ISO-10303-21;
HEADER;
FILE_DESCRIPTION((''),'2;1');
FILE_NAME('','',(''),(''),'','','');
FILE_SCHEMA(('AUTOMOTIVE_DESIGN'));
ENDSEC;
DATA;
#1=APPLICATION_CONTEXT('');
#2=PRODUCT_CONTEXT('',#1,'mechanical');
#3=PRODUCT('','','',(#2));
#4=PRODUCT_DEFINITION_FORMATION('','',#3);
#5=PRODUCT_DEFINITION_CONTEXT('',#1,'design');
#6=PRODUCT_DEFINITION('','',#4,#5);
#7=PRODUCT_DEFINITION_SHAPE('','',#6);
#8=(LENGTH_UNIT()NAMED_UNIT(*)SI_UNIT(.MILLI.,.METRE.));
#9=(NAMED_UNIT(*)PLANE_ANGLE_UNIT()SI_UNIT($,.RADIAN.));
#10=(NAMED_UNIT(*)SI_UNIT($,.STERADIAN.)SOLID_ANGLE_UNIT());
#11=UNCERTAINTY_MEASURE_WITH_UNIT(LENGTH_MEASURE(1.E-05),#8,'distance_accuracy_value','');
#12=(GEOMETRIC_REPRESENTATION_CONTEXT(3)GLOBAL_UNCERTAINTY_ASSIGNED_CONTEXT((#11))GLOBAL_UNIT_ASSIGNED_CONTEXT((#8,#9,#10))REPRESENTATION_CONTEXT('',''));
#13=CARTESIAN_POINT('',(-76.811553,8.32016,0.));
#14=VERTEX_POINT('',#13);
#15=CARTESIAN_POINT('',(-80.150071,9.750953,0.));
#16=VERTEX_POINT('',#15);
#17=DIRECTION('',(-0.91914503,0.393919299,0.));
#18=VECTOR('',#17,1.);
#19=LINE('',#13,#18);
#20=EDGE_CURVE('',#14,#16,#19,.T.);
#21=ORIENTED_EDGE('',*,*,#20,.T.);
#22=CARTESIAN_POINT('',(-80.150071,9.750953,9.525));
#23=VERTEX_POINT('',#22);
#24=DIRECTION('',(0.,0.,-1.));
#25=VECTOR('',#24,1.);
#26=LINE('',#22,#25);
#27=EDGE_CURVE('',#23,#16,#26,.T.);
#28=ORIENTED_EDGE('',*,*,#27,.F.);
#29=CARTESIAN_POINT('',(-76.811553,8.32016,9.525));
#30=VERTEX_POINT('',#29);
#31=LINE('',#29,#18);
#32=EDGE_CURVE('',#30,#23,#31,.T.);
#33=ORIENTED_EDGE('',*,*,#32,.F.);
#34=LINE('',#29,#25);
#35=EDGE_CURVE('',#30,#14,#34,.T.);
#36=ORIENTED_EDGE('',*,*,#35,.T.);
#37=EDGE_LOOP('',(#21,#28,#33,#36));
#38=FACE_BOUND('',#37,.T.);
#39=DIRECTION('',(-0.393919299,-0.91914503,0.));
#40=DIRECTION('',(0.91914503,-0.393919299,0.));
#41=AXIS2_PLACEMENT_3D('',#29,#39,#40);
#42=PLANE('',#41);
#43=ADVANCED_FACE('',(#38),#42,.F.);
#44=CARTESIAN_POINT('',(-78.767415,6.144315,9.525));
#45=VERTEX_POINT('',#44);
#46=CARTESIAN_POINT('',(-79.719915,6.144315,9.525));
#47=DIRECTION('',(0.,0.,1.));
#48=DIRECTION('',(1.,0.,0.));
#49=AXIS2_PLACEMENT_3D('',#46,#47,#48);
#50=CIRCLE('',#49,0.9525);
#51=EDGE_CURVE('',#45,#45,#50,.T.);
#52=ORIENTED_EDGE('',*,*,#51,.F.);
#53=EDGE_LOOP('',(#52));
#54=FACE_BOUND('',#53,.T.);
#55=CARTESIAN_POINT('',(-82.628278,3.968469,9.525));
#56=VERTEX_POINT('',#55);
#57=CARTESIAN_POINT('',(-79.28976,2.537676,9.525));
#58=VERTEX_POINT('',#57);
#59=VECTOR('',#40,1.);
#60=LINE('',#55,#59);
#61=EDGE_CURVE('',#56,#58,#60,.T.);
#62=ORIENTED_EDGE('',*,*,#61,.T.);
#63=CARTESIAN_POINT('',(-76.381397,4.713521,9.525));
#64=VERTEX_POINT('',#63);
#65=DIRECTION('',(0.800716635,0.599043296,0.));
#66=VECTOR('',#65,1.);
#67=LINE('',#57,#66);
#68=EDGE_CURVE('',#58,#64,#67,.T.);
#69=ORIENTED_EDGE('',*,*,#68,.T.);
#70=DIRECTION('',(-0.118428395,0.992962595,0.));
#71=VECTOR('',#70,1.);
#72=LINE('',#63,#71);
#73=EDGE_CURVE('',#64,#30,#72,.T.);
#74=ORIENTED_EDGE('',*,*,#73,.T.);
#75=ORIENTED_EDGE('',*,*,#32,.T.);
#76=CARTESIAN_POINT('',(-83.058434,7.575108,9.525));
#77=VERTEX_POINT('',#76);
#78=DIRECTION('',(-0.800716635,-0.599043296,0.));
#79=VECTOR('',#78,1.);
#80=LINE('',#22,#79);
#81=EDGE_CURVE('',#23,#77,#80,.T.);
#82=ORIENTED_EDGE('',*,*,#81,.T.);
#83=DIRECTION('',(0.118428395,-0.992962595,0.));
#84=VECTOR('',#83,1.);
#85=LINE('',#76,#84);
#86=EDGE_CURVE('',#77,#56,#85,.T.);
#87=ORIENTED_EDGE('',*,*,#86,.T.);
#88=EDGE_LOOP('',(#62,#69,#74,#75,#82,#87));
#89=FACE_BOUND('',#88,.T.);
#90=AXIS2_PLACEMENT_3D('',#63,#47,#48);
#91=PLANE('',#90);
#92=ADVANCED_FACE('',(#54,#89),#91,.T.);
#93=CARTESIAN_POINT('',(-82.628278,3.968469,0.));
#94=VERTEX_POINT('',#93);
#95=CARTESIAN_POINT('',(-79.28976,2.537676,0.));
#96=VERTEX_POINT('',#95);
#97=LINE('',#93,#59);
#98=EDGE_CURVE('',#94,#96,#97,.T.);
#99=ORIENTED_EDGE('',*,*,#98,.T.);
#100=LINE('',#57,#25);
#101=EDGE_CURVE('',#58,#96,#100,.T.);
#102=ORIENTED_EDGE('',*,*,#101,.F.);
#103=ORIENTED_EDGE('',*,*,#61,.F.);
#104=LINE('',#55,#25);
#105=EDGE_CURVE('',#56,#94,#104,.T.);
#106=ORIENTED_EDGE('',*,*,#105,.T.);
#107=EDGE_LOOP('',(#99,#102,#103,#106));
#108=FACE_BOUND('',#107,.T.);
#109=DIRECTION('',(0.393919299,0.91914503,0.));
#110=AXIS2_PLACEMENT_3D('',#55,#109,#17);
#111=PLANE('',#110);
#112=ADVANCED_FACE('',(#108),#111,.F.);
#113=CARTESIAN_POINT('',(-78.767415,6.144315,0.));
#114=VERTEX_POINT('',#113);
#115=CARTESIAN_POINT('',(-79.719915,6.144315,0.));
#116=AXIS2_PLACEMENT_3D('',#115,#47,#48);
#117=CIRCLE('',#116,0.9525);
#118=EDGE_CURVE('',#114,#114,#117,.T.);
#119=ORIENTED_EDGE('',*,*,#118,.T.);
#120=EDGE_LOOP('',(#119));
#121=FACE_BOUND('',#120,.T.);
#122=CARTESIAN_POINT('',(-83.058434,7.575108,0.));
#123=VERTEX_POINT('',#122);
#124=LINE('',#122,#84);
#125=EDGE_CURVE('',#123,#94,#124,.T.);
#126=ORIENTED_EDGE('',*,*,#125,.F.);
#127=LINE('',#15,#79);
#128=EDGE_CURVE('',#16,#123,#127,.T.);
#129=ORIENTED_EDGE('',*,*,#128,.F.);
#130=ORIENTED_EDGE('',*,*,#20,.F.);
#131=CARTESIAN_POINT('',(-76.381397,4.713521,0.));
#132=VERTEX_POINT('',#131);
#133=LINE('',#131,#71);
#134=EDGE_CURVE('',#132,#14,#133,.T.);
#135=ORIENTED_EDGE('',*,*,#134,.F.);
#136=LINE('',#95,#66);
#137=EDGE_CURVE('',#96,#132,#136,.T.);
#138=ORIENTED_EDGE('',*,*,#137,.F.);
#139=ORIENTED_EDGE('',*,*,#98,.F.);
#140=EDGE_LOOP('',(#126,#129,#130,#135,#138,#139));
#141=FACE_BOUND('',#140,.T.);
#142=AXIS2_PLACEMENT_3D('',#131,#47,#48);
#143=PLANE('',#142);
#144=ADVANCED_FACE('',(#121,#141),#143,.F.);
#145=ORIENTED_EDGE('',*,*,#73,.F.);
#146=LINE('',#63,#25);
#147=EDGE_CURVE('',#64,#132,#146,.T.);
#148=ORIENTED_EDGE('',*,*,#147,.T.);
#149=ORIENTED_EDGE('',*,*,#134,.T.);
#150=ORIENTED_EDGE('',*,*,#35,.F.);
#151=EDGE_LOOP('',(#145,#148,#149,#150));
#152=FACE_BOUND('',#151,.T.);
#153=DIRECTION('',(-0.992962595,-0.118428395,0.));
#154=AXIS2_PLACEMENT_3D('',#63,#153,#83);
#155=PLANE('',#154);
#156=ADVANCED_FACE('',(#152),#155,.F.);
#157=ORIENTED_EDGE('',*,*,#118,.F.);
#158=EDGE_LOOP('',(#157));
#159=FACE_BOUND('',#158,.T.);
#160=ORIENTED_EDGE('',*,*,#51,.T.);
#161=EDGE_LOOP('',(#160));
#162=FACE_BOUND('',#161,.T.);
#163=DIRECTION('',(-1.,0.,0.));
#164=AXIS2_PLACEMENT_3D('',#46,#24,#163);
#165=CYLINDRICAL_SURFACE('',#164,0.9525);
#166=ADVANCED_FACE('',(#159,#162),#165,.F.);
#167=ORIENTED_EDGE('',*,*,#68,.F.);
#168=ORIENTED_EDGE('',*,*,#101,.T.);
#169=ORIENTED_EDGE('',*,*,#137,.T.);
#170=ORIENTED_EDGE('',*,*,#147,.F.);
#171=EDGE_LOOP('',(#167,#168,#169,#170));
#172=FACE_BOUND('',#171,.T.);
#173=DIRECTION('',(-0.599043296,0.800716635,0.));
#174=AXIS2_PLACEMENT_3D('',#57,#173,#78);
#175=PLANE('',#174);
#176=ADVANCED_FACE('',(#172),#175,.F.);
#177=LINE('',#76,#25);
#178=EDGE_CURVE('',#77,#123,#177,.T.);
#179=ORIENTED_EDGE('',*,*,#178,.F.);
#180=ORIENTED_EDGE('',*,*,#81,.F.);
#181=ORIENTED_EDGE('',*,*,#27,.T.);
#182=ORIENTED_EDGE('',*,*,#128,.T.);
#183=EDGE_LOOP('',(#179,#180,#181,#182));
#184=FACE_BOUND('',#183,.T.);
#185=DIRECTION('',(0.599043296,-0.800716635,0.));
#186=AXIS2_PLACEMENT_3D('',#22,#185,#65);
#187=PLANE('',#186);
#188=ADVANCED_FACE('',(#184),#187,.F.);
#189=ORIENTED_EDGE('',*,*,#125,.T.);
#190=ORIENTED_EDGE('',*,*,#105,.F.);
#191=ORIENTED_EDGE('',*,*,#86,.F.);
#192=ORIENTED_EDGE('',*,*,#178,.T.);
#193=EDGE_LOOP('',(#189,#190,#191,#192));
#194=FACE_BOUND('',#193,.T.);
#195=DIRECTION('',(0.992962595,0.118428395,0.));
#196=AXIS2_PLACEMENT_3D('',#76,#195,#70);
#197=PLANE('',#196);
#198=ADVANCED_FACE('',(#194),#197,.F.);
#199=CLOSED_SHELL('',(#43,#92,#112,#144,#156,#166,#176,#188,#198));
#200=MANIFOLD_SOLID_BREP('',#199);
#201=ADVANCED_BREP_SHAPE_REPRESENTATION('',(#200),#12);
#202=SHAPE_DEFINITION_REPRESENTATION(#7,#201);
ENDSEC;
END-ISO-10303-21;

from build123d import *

# Parameters (mm, degrees)
SKETCH7_R           = 0.9525
BOSS_EXTRUDE4_DEPTH = 9.525


with BuildPart() as part:
    # Sketch7 → Boss-Extrude4 (new body)
    with BuildSketch(Plane.XY):
        Polygon((-76.381396916, 4.713520867), (-76.811552533, 8.320159605), (-80.150071111, 9.750953281), (-83.058434072, 7.57510822), (-82.628278454, 3.968469482), (-79.289759876, 2.537675806), align=None)
        with Locations((-79.719915494, 6.144314544)):
            Circle(SKETCH7_R, mode=Mode.SUBTRACT)
    extrude(amount=BOSS_EXTRUDE4_DEPTH)


solid = part.part
